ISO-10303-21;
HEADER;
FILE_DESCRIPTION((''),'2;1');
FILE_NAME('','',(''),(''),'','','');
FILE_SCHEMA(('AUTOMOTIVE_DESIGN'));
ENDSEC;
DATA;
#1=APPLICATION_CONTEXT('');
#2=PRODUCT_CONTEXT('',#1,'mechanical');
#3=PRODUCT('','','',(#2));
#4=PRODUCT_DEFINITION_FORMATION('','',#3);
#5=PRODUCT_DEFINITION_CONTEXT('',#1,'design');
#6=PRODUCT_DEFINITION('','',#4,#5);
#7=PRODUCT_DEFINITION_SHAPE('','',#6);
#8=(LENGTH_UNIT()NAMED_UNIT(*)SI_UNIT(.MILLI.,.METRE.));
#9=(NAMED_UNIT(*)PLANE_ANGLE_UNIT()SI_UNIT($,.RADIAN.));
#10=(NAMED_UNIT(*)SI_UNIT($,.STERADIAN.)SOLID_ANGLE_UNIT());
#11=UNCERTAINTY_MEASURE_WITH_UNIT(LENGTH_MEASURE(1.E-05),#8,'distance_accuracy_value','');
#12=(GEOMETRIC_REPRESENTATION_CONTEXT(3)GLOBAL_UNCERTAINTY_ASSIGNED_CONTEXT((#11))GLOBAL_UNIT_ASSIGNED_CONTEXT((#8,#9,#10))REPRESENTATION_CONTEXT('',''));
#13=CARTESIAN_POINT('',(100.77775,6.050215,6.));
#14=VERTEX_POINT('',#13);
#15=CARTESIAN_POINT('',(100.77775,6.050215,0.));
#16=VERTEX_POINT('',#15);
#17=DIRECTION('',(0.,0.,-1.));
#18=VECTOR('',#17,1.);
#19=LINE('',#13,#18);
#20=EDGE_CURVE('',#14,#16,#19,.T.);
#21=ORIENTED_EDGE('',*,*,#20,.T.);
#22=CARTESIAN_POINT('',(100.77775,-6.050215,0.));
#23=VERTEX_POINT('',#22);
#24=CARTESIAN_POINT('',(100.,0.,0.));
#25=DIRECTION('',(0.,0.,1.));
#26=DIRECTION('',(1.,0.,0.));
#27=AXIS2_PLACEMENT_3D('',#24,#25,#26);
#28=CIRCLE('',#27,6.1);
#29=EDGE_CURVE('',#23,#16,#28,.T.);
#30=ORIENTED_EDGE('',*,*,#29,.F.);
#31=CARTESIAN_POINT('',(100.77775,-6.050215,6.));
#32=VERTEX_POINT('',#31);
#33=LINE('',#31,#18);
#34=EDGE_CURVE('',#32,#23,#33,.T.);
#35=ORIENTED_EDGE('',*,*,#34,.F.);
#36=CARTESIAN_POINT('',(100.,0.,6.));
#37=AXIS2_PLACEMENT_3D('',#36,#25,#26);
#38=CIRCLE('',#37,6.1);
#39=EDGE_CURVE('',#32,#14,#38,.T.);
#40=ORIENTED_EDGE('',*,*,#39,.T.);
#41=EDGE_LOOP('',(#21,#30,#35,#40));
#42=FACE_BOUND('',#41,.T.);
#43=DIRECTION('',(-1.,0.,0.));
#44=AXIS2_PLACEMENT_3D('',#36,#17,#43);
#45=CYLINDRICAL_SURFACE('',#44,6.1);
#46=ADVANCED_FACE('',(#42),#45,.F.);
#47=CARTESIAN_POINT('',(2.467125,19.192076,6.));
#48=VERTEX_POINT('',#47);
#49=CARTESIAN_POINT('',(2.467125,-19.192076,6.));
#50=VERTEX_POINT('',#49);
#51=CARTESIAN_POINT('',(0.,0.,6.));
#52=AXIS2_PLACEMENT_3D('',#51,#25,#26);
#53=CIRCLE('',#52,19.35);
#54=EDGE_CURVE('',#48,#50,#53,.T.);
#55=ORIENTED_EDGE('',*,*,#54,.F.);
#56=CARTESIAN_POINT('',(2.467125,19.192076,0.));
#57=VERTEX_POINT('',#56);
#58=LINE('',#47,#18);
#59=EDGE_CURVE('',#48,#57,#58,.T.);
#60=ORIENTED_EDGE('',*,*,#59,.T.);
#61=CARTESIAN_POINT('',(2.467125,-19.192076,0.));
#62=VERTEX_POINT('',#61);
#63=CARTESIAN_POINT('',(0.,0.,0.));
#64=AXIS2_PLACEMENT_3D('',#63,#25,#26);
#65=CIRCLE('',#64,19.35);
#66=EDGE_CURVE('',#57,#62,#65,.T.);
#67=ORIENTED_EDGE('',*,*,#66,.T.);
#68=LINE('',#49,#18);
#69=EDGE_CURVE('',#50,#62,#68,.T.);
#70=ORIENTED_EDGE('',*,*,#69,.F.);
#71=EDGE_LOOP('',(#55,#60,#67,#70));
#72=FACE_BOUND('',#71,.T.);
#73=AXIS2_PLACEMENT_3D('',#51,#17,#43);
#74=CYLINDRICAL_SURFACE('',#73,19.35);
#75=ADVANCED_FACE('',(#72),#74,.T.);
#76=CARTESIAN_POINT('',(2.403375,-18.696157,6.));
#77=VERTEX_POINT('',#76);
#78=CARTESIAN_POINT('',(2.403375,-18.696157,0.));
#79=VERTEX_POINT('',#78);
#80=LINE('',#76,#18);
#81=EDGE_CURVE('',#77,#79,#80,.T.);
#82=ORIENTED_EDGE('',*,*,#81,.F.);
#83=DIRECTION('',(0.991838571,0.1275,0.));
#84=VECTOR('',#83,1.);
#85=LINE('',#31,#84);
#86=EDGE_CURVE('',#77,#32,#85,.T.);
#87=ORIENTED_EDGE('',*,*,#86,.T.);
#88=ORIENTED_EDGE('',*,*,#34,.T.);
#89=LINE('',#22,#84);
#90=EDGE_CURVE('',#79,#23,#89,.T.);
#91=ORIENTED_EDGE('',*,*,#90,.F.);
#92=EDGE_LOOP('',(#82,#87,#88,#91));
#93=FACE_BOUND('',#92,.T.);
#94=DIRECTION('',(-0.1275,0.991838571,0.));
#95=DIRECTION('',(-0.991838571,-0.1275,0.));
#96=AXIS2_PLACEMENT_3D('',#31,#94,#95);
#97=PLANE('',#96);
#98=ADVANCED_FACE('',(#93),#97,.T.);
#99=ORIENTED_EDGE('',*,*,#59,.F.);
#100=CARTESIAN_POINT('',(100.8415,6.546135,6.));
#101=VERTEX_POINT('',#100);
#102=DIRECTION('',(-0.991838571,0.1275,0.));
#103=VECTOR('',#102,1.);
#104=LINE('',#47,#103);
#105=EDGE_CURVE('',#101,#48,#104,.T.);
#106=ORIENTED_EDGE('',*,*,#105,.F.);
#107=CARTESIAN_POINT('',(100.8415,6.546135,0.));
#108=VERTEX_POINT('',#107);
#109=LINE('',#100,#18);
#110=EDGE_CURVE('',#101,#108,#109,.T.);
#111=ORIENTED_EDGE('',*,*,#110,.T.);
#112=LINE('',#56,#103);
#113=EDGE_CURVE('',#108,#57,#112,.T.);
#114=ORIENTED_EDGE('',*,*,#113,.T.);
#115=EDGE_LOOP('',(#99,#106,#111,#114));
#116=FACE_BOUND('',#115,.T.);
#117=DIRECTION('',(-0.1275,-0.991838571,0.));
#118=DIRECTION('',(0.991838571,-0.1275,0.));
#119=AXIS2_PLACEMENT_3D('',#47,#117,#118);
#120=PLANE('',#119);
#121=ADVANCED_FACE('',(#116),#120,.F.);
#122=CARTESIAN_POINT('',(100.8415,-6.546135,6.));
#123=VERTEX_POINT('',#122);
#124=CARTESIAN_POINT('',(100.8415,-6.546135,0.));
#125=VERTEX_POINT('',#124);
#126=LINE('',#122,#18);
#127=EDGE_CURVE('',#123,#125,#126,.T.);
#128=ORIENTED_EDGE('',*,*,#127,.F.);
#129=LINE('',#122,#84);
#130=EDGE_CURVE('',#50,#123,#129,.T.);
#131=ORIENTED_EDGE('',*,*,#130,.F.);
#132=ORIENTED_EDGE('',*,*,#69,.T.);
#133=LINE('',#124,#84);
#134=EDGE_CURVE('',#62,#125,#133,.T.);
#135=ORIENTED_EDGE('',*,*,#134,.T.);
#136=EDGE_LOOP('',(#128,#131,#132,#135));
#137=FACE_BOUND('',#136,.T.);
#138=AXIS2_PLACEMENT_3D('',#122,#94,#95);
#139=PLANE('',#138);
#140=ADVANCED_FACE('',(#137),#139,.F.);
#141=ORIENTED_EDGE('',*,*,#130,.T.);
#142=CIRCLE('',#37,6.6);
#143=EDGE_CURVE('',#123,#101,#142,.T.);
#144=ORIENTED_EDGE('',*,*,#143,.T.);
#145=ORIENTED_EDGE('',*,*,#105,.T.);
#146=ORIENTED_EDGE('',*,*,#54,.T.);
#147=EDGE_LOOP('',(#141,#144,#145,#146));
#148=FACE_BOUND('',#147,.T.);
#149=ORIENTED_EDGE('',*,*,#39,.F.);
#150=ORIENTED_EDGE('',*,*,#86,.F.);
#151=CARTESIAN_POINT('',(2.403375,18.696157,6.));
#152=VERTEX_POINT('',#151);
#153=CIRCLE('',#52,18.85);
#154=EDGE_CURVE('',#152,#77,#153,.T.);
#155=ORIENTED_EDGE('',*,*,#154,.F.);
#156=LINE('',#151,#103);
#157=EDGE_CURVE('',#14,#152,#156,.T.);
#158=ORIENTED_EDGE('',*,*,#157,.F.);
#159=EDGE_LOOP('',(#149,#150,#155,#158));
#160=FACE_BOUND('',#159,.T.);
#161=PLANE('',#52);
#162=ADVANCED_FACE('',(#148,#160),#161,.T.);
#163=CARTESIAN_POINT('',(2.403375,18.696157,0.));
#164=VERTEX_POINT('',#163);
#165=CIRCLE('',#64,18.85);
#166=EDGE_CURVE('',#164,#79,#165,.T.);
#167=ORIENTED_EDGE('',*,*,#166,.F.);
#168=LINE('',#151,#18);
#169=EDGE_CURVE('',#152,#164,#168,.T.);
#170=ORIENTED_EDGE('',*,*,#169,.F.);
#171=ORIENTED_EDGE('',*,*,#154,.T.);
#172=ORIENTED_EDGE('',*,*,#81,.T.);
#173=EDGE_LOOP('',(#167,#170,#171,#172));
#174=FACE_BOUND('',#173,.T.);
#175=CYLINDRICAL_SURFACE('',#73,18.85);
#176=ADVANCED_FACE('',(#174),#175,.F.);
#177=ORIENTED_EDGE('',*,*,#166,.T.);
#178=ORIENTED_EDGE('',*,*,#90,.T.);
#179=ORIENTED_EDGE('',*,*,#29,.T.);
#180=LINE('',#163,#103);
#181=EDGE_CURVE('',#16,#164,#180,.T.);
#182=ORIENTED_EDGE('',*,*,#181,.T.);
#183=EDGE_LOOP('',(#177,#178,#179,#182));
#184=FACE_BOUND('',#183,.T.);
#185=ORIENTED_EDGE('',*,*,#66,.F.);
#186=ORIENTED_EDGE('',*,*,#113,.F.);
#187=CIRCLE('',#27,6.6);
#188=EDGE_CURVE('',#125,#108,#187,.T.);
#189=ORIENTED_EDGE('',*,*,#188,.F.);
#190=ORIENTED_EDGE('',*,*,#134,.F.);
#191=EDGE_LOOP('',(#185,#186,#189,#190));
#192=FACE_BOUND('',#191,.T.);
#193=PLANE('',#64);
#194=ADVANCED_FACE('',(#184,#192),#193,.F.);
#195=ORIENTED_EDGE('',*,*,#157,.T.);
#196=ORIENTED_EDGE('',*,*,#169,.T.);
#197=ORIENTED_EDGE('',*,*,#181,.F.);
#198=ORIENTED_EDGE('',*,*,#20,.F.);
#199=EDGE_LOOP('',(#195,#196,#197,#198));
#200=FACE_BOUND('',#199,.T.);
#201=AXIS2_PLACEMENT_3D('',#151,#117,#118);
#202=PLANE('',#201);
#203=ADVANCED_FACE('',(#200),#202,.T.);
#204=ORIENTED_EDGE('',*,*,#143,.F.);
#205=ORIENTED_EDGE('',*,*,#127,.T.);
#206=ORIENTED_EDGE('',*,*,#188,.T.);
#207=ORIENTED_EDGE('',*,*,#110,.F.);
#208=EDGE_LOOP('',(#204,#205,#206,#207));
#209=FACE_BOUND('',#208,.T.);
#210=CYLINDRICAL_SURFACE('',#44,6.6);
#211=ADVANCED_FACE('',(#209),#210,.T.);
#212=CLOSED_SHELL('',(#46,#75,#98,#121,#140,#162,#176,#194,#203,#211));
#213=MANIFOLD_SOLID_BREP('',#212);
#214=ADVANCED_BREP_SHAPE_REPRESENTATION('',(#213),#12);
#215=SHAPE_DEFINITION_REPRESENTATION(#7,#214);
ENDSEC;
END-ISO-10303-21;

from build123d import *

# Parameters (mm, degrees)
SALIENTE_EXTRUIR1_DEPTH = 6


with BuildPart() as part:
    # Croquis1 → Saliente-Extruir1 (new body)
    with BuildSketch(Plane.XY):
        with BuildLine():
            Line((100.8415, -6.546134566), (2.467125, -19.19207634))
            ThreePointArc((2.467125, -19.19207634), (-19.35, 0), (2.467125, 19.19207634))
            Line((2.467125, 19.19207634), (100.8415, 6.546134566))
            ThreePointArc((100.8415, 6.546134566), (106.6, 0), (100.8415, -6.546134566))
        make_face()
        with BuildLine():
            Line((2.403375, 18.696157055), (100.77775, 6.05021528))
            ThreePointArc((100.77775, 6.05021528), (106.1, 0), (100.77775, -6.05021528))
            Line((100.77775, -6.05021528), (2.403375, -18.696157055))
            ThreePointArc((2.403375, -18.696157055), (-18.85, 0), (2.403375, 18.696157055))
        make_face(mode=Mode.SUBTRACT)
    extrude(amount=SALIENTE_EXTRUIR1_DEPTH)


solid = part.part
